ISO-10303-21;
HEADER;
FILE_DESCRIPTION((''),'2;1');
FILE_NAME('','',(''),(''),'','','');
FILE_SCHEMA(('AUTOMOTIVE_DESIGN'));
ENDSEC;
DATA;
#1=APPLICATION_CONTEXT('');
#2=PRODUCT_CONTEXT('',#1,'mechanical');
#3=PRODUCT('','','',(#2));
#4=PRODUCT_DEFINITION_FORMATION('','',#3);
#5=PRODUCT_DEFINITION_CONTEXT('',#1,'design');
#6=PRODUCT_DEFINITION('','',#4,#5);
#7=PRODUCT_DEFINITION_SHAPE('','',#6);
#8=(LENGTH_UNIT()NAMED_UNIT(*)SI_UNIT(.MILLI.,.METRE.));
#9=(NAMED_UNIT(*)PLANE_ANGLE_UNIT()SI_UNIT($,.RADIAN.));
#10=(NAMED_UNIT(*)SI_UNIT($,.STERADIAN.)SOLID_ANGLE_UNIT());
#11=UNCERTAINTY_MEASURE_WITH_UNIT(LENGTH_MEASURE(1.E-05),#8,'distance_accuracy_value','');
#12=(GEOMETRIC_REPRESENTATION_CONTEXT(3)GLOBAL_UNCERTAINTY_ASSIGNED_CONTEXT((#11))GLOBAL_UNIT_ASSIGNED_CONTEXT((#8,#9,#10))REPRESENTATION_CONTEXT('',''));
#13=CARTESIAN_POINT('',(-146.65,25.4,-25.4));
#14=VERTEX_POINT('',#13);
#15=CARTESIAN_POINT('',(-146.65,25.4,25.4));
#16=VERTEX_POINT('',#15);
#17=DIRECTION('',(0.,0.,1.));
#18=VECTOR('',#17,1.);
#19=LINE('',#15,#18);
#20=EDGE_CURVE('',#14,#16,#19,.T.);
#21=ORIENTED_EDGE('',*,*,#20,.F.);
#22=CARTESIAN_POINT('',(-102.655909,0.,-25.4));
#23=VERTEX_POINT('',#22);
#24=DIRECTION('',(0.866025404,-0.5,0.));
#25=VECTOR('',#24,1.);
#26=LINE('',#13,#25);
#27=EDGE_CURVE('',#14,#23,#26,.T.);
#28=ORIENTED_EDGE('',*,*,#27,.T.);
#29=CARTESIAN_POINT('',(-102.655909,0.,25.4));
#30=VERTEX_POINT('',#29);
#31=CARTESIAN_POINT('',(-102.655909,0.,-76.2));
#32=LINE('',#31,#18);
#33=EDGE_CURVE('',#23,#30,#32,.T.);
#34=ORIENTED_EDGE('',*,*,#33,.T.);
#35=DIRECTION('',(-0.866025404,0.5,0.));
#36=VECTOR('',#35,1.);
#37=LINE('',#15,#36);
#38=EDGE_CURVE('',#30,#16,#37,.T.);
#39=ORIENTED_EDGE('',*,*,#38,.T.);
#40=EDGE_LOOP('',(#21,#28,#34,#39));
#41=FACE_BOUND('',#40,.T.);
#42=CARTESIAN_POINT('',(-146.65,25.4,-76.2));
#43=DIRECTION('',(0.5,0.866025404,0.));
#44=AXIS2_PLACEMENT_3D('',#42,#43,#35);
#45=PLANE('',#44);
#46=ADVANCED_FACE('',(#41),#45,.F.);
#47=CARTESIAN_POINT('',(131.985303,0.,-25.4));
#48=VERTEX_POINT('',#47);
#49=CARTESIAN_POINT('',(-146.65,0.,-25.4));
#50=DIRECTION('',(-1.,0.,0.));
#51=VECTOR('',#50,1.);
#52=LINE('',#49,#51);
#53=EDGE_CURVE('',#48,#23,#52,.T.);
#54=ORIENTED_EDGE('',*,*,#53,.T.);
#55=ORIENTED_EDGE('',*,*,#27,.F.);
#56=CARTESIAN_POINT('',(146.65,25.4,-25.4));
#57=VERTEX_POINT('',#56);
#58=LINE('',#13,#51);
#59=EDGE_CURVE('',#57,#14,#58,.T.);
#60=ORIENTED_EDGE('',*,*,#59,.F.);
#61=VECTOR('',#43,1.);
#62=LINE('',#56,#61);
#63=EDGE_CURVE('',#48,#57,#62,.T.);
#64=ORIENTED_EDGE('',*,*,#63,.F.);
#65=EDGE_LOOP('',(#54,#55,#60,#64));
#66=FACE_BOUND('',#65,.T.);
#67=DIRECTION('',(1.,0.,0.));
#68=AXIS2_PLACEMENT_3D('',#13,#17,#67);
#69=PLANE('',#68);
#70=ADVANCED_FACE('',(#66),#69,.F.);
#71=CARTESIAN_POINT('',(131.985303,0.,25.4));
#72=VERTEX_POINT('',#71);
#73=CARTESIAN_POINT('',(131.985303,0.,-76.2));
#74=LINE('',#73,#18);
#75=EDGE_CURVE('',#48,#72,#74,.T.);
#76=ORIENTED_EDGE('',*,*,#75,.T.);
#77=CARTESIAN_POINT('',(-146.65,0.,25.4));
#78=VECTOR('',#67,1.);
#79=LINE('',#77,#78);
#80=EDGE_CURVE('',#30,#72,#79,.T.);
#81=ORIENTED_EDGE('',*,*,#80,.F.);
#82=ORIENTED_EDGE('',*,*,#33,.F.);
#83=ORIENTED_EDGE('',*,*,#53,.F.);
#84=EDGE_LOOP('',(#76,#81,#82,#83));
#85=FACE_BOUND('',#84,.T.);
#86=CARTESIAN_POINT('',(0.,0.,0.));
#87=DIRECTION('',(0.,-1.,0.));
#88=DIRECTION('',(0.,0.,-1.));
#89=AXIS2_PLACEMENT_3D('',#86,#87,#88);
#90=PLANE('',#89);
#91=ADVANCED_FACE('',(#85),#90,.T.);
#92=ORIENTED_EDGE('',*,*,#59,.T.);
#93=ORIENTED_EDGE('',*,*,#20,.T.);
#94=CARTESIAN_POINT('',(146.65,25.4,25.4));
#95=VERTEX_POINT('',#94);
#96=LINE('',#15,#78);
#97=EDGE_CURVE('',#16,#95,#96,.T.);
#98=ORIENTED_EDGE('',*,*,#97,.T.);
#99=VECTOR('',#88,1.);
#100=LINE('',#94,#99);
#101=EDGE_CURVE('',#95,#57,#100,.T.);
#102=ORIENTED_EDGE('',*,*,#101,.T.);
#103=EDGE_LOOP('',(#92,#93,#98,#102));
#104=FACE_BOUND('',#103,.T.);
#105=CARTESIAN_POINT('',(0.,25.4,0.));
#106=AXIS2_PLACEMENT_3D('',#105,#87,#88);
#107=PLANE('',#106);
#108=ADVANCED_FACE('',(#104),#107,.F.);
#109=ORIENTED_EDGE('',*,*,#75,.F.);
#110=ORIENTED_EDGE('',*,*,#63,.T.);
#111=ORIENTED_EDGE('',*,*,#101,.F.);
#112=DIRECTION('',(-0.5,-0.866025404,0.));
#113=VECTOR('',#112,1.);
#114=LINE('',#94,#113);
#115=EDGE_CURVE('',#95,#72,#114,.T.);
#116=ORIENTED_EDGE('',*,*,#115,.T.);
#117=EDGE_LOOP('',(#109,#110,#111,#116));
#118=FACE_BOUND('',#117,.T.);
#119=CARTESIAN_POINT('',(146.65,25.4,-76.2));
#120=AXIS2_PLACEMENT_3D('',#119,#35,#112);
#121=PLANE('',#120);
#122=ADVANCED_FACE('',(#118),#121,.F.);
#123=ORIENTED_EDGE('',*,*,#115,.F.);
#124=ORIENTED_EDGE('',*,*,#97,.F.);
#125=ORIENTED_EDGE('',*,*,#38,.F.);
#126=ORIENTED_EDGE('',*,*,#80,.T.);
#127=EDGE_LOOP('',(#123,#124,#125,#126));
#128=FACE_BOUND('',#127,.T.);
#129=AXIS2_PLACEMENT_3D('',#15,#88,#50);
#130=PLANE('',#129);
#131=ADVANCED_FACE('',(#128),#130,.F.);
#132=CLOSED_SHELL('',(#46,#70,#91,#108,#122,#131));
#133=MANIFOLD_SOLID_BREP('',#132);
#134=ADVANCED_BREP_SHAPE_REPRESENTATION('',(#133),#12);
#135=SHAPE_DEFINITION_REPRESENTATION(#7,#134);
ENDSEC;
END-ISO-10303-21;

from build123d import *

# Parameters (mm, degrees)
SKETCH1_W           = 293.3
SKETCH1_H           = 50.8
BOSS_EXTRUDE1_DEPTH = 25.4
CUT_EXTRUDE1_DEPTH  = 50.8


with BuildPart() as part:
    # Sketch1 → Boss-Extrude1 (new body)
    with BuildSketch(Plane(origin=(0, 0, 0), x_dir=(1, 0, 0), z_dir=(0, 1, 0))):
        Rectangle(SKETCH1_W, SKETCH1_H)
    extrude(amount=BOSS_EXTRUDE1_DEPTH)

    # Sketch2 → Cut-Extrude1 (cut)
    with BuildSketch(Plane.XY.offset(25.4)):
        Polygon((-146.65, 25.4), (-102.655909488, 0), (-146.65, 0), align=None)
        Polygon((146.65, 25.4), (131.985303163, 0), (146.65, 0), align=None)
    extrude(amount=-CUT_EXTRUDE1_DEPTH, mode=Mode.SUBTRACT)


solid = part.part
